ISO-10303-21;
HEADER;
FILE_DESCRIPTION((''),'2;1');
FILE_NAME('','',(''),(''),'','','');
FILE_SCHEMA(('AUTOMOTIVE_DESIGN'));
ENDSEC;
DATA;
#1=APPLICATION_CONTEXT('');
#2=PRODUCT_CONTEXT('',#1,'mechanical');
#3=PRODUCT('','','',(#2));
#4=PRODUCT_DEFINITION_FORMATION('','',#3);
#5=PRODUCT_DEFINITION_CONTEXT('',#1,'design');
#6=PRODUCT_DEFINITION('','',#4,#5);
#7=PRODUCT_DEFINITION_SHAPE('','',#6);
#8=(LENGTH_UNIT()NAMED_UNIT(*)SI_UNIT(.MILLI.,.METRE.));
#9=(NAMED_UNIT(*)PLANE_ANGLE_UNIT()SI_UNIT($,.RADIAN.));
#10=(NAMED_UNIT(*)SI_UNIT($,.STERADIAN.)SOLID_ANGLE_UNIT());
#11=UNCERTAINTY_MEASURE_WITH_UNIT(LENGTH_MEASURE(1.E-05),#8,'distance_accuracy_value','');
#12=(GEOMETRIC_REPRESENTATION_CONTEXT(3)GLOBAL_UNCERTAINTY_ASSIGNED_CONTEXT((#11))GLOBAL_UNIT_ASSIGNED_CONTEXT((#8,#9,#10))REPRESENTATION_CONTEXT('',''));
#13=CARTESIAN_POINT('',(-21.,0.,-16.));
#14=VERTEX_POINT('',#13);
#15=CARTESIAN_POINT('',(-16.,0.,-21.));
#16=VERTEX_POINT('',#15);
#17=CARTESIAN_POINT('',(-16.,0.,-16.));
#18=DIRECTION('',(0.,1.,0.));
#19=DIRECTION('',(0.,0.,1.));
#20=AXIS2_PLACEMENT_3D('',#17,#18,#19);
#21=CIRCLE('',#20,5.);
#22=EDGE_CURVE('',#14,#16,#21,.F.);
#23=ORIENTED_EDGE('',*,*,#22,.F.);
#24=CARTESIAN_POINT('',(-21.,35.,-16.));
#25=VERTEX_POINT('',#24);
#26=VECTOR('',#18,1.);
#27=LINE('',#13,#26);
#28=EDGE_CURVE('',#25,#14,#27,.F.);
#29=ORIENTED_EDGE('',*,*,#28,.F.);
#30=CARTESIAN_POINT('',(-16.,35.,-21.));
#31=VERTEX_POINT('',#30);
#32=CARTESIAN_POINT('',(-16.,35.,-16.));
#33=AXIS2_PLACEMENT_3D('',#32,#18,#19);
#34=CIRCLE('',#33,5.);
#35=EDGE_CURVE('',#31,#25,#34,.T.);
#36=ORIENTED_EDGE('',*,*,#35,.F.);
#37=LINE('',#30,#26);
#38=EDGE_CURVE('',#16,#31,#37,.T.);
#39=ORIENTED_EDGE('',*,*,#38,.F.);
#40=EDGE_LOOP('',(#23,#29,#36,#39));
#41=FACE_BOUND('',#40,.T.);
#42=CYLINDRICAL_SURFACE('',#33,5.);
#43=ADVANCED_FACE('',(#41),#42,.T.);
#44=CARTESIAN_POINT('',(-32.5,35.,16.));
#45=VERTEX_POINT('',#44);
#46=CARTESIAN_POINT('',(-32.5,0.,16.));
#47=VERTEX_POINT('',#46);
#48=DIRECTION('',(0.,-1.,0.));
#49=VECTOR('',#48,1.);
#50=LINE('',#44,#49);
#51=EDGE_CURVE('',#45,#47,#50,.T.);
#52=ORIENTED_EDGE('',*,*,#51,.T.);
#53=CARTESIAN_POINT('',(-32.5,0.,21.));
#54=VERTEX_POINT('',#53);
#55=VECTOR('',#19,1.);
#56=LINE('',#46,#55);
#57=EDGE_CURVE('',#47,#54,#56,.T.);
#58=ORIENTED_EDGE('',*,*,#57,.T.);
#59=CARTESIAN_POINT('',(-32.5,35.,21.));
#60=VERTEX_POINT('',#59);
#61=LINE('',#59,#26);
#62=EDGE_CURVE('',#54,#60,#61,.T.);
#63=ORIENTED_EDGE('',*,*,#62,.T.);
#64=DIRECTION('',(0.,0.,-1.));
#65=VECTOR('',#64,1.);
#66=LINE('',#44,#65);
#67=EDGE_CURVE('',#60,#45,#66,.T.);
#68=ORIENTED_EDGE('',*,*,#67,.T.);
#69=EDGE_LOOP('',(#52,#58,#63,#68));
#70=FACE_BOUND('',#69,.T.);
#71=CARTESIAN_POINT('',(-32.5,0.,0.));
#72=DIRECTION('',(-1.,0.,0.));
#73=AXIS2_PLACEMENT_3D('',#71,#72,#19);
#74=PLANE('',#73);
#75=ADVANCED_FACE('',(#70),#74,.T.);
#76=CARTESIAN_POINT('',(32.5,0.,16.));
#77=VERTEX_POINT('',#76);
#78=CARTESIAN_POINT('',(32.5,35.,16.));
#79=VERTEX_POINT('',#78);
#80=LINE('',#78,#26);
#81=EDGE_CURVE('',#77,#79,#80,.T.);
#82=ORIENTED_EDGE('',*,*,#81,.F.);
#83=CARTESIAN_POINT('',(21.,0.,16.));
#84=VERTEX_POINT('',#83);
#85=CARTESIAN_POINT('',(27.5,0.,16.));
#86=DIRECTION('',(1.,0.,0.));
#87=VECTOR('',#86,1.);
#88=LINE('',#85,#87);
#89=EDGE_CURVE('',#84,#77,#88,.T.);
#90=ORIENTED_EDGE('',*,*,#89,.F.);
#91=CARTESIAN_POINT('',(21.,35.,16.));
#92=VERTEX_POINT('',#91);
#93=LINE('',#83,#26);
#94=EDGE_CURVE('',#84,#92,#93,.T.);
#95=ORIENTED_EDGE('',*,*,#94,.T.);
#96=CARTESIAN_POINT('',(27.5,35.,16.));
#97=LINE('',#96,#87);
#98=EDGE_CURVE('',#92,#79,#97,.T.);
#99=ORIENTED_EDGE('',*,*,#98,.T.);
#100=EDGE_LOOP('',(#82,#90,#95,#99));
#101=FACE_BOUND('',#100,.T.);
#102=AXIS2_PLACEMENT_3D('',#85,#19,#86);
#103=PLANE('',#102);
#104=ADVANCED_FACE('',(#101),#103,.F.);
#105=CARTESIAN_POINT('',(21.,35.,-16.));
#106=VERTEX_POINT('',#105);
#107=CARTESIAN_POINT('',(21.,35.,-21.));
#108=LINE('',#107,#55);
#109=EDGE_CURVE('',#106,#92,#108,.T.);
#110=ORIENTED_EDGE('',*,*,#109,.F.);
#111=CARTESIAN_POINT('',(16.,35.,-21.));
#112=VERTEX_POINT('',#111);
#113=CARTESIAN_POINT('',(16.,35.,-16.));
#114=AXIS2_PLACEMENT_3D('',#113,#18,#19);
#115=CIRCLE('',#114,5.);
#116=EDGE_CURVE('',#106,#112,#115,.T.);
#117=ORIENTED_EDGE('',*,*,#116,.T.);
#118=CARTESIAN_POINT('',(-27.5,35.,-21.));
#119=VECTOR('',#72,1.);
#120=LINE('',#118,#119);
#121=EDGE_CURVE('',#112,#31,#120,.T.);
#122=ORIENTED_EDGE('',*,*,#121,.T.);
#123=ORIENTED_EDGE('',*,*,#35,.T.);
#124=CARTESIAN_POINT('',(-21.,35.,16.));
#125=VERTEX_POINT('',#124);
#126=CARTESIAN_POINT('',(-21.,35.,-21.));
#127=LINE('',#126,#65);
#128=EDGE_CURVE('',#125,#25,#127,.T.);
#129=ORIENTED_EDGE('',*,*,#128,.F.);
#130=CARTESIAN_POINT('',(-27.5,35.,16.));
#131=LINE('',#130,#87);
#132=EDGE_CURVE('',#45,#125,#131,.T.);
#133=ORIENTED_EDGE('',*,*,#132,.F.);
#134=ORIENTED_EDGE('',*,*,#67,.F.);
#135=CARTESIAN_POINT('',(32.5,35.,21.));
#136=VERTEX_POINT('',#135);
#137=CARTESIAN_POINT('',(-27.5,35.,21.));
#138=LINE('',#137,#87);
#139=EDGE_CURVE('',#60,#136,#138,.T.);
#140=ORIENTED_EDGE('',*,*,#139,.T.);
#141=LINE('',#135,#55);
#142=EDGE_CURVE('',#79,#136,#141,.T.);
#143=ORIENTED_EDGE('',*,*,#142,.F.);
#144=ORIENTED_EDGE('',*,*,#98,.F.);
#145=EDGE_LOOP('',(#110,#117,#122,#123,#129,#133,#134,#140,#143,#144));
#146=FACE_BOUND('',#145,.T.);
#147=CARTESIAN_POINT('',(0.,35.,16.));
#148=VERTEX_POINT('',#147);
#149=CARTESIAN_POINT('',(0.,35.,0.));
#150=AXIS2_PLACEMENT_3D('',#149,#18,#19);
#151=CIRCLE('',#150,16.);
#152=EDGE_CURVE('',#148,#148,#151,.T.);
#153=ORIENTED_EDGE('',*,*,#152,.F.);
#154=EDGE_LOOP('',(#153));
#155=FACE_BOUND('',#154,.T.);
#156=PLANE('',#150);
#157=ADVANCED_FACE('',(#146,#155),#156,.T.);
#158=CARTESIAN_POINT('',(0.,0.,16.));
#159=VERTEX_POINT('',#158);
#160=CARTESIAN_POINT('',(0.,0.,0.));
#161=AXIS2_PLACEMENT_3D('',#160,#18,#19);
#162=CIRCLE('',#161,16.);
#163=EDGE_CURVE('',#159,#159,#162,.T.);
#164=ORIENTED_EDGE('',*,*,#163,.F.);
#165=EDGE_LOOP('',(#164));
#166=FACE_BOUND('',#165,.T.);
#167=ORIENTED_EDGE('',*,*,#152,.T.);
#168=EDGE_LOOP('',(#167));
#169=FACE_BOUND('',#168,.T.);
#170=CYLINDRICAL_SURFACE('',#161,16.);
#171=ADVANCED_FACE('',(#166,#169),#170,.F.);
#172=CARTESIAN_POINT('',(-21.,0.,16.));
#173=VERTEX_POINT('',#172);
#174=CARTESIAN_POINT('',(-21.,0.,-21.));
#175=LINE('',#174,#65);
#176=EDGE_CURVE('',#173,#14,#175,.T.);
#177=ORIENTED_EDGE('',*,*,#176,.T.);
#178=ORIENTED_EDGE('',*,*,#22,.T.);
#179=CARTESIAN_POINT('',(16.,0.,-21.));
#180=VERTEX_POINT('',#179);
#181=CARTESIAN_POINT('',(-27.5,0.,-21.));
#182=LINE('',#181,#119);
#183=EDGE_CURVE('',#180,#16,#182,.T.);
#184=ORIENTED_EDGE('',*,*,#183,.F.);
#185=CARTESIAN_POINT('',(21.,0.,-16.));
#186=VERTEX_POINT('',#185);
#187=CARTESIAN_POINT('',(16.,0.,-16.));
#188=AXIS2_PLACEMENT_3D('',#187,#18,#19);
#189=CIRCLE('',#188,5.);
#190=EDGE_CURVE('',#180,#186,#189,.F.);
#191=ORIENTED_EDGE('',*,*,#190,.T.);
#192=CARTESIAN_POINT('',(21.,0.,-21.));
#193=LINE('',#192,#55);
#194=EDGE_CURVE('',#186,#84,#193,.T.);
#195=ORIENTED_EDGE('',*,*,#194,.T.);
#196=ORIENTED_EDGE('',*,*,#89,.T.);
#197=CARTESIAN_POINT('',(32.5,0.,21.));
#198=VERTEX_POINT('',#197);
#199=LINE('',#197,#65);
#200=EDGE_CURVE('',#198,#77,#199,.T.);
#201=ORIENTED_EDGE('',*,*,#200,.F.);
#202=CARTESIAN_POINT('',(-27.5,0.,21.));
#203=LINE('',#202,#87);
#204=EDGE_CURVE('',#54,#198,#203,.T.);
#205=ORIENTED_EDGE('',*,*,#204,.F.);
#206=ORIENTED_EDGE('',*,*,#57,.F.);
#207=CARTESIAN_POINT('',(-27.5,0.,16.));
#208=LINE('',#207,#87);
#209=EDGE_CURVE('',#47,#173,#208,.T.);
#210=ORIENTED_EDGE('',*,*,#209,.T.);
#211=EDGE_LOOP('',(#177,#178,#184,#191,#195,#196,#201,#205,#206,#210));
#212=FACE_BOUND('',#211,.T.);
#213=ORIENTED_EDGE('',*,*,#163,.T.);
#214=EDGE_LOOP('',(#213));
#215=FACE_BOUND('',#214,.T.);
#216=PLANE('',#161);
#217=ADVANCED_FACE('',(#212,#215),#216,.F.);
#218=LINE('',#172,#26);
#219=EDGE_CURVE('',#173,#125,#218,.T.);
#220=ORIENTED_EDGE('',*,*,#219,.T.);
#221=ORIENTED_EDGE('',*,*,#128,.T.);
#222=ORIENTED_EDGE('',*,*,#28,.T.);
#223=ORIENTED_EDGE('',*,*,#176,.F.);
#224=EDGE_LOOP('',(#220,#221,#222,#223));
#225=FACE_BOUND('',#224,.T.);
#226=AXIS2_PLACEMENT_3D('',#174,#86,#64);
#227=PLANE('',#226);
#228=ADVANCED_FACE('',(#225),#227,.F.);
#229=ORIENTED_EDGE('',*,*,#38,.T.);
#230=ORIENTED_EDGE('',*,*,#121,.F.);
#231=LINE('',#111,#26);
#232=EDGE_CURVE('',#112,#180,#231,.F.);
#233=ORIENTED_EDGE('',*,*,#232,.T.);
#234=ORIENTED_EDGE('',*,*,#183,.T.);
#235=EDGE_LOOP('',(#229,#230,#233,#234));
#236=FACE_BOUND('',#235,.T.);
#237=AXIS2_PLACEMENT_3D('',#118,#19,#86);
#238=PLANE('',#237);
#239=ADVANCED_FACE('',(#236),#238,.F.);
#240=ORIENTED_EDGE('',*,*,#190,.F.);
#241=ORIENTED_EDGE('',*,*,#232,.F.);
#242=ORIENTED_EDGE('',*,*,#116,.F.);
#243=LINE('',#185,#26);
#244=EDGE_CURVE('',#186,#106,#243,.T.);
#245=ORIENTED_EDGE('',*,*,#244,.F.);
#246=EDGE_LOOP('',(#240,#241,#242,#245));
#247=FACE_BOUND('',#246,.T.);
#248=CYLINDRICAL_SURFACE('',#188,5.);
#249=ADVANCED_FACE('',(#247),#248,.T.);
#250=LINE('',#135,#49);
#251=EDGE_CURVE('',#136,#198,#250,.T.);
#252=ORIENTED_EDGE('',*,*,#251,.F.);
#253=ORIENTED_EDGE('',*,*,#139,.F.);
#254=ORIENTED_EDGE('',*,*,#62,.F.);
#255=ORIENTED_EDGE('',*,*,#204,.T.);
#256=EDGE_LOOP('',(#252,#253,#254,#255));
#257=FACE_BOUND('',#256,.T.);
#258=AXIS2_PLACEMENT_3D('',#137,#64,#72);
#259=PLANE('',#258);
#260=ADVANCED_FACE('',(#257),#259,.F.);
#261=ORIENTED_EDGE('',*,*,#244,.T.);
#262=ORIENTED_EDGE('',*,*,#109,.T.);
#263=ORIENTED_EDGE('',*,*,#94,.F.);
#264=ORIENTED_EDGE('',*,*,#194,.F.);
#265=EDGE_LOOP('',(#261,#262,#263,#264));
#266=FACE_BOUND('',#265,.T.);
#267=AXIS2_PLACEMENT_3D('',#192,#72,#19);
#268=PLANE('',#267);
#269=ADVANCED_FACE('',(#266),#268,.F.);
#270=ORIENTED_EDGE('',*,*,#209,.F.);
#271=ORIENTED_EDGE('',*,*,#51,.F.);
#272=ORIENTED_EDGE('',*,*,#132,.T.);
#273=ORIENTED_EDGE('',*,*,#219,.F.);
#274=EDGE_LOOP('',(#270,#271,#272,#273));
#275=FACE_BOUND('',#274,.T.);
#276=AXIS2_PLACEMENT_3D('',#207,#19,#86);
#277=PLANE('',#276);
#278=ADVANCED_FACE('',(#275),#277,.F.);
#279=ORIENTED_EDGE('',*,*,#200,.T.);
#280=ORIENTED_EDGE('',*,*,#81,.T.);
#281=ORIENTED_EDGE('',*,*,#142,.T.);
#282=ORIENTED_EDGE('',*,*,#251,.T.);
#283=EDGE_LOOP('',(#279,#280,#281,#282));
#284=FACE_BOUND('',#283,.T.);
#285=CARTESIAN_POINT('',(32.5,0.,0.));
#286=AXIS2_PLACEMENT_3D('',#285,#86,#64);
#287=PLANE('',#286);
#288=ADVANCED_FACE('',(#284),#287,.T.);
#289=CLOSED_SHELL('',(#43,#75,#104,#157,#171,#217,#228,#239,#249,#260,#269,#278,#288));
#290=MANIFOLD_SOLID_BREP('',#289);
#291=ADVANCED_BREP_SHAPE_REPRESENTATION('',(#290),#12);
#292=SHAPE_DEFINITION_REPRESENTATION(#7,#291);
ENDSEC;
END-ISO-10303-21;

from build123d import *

# Parameters (mm, degrees)
SKETCH3_W           = 55
SKETCH3_H           = 42
BOSS_EXTRUDE1_DEPTH = 35
SKETCH4_R           = 16
CUT_EXTRUDE1_DEPTH  = 35
SKETCH5_W           = 6.5
SKETCH5_H           = 37
CUT_EXTRUDE2_DEPTH  = 35
FILLET1_R           = 5
SKETCH6_W           = 5
SKETCH6_H           = 35
BOSS_EXTRUDE2_DEPTH = 5
SKETCH7_W           = 5
SKETCH7_H           = 35
BOSS_EXTRUDE3_DEPTH = 5


with BuildPart() as part:
    # Sketch3 → Boss-Extrude1 (new body)
    with BuildSketch(Plane(origin=(0, 0, 0), x_dir=(1, 0, 0), z_dir=(0, 1, 0))):
        Rectangle(SKETCH3_W, SKETCH3_H)
    extrude(amount=BOSS_EXTRUDE1_DEPTH)

    # Sketch4 → Cut-Extrude1 (cut)
    with BuildSketch(Plane(origin=(0, 35, 0), x_dir=(1, 0, 0), z_dir=(0, 1, 0))):
        with Locations(Location((0, 0, 0), (0, 0, 270))):
            Circle(SKETCH4_R)
    extrude(amount=-CUT_EXTRUDE1_DEPTH, mode=Mode.SUBTRACT)

    # Sketch5 → Cut-Extrude2 (cut)
    with BuildSketch(Plane(origin=(0, 35, 0), x_dir=(1, 0, 0), z_dir=(0, 1, 0))):
        with Locations((-24.25, 2.5)):
            Rectangle(SKETCH5_W, SKETCH5_H)
        with Locations((24.25, 2.5)):
            Rectangle(SKETCH5_W, SKETCH5_H)
    extrude(amount=-CUT_EXTRUDE2_DEPTH, mode=Mode.SUBTRACT)

    # Fillet1
    fillet1_edges = [part.edges().sort_by_distance(p)[0] for p in [
        (-21, 17.5, -21),
        (21, 17.5, -21),
    ]]
    fillet(fillet1_edges, radius=FILLET1_R)

    # Sketch6 → Boss-Extrude2 (add)
    with BuildSketch(Plane(origin=(27.5, 0, 0), x_dir=(0, 0, -1), z_dir=(1, 0, 0))):
        with Locations((-18.5, 17.5)):
            Rectangle(SKETCH6_W, SKETCH6_H)
    extrude(amount=BOSS_EXTRUDE2_DEPTH)

    # Sketch7 → Boss-Extrude3 (add)
    with BuildSketch(Plane.ZY.offset(27.5)):
        with Locations((18.5, 17.5)):
            Rectangle(SKETCH7_W, SKETCH7_H)
    extrude(amount=BOSS_EXTRUDE3_DEPTH)


solid = part.part
